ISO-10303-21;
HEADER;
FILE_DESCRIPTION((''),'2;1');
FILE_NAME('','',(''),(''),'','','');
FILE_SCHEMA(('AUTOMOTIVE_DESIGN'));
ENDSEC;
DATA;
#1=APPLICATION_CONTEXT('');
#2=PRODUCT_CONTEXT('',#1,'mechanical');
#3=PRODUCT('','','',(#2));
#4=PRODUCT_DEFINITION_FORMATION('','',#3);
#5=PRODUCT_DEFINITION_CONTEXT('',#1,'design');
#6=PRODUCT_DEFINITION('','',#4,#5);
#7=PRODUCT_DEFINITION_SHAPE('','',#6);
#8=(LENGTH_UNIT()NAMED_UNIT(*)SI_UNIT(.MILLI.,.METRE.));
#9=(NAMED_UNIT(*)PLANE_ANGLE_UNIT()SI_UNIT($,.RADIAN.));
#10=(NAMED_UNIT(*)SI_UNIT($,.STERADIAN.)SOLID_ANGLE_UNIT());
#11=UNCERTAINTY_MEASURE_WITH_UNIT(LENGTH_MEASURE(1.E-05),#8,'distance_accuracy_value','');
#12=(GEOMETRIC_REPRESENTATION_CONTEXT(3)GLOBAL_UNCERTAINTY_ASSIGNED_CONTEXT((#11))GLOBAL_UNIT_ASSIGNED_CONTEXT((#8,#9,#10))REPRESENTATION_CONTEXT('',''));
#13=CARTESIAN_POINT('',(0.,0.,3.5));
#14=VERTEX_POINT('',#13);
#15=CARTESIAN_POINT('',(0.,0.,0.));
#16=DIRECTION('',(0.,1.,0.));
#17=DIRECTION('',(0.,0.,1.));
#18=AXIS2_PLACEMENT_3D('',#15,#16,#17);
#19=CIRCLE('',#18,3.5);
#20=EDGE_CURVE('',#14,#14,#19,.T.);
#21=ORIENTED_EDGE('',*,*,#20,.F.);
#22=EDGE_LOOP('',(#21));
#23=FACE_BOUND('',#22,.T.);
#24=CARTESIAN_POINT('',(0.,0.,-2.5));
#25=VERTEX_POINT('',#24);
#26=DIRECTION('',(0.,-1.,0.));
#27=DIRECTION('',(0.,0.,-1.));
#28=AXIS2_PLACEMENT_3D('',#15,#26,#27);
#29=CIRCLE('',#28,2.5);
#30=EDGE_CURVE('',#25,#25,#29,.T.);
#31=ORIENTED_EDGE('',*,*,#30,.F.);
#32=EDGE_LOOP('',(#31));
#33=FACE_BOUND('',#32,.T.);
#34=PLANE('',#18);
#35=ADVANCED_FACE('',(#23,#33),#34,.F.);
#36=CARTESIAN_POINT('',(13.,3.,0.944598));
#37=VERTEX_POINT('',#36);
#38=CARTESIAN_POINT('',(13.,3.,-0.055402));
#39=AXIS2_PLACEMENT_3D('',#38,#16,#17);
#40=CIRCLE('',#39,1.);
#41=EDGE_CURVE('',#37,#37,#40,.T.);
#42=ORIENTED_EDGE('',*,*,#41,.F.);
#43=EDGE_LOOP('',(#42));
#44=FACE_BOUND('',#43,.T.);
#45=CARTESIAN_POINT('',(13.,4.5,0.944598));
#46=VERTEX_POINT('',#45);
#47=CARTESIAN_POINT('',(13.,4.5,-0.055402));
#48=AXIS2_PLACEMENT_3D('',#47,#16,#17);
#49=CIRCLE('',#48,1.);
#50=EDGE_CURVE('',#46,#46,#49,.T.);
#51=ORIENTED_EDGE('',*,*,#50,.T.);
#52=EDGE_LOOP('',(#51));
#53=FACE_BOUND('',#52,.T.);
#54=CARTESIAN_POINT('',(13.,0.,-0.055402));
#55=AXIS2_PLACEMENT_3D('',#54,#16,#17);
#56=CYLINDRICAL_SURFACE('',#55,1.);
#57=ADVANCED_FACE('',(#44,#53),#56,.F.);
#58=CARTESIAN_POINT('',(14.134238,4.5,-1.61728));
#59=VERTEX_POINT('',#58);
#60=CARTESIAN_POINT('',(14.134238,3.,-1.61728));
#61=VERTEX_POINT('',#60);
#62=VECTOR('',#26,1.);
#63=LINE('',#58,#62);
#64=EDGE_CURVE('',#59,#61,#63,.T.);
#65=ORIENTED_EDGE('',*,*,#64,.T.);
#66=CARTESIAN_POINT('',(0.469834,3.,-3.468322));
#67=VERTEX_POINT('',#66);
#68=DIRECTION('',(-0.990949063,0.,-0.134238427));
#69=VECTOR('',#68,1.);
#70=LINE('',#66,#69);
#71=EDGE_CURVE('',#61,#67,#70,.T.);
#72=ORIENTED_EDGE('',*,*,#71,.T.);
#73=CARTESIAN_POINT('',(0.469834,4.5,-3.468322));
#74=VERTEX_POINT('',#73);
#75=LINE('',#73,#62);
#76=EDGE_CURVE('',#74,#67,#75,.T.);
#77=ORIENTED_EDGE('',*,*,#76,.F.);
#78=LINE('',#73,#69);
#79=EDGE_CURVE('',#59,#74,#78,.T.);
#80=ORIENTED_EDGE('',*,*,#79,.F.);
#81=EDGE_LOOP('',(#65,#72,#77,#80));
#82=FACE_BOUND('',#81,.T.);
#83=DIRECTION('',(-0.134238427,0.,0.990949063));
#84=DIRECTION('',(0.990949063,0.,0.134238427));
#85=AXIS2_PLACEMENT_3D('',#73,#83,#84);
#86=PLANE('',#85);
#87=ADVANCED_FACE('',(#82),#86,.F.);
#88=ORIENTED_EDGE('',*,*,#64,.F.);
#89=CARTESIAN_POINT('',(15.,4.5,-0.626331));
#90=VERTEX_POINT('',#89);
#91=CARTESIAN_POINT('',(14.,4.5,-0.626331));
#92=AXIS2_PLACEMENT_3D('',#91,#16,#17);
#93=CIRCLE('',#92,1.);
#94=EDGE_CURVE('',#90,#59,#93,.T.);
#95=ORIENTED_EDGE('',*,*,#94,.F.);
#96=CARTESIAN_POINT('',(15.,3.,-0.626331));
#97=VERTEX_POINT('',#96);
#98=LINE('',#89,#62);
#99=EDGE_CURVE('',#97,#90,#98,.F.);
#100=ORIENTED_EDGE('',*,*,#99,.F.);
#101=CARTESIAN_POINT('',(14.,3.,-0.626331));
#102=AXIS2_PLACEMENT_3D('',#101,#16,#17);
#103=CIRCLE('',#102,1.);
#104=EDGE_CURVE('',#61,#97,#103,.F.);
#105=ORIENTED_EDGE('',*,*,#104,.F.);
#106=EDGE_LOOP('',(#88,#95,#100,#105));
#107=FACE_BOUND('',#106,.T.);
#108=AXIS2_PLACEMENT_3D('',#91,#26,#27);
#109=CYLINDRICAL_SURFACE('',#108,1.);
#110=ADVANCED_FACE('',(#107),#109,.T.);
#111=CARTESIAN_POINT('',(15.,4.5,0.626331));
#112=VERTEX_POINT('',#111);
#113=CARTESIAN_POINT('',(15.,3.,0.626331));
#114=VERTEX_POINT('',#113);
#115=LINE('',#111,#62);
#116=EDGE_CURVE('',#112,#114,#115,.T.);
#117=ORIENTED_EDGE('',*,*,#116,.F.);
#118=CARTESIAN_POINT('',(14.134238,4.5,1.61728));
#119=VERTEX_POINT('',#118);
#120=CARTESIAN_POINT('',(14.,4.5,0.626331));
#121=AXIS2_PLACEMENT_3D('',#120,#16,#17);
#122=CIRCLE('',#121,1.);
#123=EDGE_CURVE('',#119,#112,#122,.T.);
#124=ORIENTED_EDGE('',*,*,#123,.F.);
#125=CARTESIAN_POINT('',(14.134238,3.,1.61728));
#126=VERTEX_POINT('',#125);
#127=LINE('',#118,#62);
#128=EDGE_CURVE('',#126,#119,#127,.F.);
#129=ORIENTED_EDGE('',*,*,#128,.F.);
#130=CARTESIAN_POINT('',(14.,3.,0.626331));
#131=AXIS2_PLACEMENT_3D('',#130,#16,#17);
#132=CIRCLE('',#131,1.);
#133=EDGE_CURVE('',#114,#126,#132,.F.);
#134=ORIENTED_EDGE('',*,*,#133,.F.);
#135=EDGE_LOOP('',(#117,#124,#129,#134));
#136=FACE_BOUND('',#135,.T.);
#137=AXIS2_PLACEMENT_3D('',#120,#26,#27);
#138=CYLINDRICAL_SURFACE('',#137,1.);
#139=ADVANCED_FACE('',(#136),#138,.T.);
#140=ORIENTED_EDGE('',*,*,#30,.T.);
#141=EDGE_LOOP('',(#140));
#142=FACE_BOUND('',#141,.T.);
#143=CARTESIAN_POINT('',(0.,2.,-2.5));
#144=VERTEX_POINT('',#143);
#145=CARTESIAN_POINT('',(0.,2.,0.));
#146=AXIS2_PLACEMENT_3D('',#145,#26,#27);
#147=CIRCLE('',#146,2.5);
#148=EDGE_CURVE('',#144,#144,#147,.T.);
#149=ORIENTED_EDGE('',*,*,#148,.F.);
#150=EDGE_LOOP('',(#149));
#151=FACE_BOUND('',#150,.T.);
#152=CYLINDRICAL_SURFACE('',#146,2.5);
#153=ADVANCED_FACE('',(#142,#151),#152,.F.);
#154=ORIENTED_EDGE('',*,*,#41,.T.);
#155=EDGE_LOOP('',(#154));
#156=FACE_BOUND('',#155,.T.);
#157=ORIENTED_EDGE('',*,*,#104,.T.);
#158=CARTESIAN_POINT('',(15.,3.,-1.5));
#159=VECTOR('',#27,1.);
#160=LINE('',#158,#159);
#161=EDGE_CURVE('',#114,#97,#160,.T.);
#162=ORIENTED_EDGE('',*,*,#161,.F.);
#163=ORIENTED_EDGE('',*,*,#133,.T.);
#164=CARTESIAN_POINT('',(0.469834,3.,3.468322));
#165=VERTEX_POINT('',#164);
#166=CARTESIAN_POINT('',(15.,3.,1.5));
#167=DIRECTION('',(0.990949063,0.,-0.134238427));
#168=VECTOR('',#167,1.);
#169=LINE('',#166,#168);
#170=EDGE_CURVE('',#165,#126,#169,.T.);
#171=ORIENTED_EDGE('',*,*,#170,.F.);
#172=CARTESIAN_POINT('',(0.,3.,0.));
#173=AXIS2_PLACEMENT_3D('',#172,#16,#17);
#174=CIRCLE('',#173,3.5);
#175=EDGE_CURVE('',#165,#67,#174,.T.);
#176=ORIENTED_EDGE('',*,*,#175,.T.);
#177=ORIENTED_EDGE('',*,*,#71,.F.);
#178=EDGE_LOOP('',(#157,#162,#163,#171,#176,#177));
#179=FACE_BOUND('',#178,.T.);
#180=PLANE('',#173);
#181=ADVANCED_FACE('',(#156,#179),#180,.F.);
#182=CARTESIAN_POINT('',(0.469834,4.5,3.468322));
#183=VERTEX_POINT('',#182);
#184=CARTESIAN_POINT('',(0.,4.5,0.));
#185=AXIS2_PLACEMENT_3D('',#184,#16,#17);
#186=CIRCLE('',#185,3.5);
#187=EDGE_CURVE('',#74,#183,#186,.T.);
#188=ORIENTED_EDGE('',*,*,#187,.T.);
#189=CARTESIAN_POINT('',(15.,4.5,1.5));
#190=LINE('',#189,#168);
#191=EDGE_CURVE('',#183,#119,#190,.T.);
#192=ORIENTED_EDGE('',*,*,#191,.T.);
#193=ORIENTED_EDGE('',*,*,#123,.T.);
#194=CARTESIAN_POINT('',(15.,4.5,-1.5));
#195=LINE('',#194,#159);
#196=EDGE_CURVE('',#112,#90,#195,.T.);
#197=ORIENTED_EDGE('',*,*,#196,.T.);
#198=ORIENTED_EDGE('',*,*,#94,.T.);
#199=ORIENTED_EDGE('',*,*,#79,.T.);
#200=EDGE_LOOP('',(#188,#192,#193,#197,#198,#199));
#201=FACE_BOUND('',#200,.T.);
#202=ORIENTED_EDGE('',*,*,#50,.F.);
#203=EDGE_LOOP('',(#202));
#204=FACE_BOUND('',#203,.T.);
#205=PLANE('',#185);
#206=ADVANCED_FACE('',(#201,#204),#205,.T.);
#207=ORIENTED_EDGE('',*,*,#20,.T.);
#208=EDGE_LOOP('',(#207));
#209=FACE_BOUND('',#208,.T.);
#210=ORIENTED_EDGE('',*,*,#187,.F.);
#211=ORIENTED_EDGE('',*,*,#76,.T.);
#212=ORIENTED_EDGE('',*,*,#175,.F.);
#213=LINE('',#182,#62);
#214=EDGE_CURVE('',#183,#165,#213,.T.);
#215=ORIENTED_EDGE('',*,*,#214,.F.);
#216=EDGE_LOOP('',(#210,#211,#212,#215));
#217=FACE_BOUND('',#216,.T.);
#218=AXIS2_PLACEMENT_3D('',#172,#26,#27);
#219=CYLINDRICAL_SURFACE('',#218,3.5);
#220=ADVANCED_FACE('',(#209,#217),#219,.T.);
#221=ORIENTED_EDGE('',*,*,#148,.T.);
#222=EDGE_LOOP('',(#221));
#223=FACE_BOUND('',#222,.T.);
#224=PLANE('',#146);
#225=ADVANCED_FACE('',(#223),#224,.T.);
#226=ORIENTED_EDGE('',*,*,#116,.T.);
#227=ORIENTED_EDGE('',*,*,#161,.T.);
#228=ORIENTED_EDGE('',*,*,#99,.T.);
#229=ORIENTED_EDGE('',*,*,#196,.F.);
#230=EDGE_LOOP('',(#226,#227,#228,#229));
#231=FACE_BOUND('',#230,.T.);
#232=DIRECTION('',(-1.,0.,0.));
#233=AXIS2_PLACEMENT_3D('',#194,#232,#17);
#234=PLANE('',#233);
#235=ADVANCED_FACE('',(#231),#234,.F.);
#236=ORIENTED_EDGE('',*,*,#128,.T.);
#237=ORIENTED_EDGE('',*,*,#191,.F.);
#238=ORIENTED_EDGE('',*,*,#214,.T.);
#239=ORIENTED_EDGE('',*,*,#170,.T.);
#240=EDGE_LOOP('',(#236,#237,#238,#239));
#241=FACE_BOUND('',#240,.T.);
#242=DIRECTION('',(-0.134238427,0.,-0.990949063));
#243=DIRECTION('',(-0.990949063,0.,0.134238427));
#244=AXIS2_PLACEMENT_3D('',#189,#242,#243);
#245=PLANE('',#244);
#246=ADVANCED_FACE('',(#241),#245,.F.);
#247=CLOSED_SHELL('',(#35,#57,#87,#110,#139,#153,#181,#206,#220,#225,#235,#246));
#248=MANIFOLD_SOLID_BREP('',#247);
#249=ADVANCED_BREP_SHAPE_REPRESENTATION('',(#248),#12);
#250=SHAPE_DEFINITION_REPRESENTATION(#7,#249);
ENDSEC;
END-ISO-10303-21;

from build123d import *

# Parameters (mm, degrees)
SCHIZZO1_R                   = 3.5
ESTRUSIONE_ESTRUSIONE1_DEPTH = 3
ESTRUSIONE_ESTRUSIONE2_DEPTH = 1.5
SCHIZZO3_R                   = 2.5
TAGLIO_ESTRUSIONE1_DEPTH     = 2
RACCORDO1_R                  = 1
SKETCH2_R                    = 1
CUT_EXTRUDE1_DEPTH           = 17.046806536


with BuildPart() as part:
    # Schizzo1 → Estrusione-Estrusione1 (new body)
    with BuildSketch(Plane(origin=(0, 0, 0), x_dir=(1, 0, 0), z_dir=(0, 1, 0))):
        with Locations(Location((0, 0, 0), (0, 0, 270))):
            Circle(SCHIZZO1_R)
    extrude(amount=ESTRUSIONE_ESTRUSIONE1_DEPTH)

    # Schizzo2 → Estrusione-Estrusione2 (add)
    with BuildSketch(Plane(origin=(0, 3, 0), x_dir=(1, 0, 0), z_dir=(0, 1, 0))):
        with BuildLine():
            Line((15, 1.5), (15, -1.5))
            Line((15, -1.5), (0.469834495, -3.468321719))
            ThreePointArc((0.469834495, -3.468321719), (-3.5, 0), (0.469834495, 3.468321719))
            Line((0.469834495, 3.468321719), (15, 1.5))
        make_face()
    extrude(amount=ESTRUSIONE_ESTRUSIONE2_DEPTH)

    # Schizzo3 → Taglio-Estrusione1 (cut)
    with BuildSketch(Plane.XZ):
        with Locations(Location((0, 0, 0), (0, 0, 270))):
            Circle(SCHIZZO3_R)
    extrude(amount=-TAGLIO_ESTRUSIONE1_DEPTH, mode=Mode.SUBTRACT)

    # Raccordo1
    raccordo1_edges = [part.edges().sort_by_distance(p)[0] for p in [
        (15, 3.75, 1.5),
        (15, 3.75, -1.5),
    ]]
    fillet(raccordo1_edges, radius=RACCORDO1_R)

    # Sketch2 → Cut-Extrude1 (cut, through all)
    with BuildSketch(Plane(origin=(0, 4.5, 0), x_dir=(1, 0, 0), z_dir=(0, 1, 0))):
        with Locations(Location((13, 0.055401887, 0), (0, 0, 270))):
            Circle(SKETCH2_R)
    extrude(amount=-CUT_EXTRUDE1_DEPTH, mode=Mode.SUBTRACT)


solid = part.part
